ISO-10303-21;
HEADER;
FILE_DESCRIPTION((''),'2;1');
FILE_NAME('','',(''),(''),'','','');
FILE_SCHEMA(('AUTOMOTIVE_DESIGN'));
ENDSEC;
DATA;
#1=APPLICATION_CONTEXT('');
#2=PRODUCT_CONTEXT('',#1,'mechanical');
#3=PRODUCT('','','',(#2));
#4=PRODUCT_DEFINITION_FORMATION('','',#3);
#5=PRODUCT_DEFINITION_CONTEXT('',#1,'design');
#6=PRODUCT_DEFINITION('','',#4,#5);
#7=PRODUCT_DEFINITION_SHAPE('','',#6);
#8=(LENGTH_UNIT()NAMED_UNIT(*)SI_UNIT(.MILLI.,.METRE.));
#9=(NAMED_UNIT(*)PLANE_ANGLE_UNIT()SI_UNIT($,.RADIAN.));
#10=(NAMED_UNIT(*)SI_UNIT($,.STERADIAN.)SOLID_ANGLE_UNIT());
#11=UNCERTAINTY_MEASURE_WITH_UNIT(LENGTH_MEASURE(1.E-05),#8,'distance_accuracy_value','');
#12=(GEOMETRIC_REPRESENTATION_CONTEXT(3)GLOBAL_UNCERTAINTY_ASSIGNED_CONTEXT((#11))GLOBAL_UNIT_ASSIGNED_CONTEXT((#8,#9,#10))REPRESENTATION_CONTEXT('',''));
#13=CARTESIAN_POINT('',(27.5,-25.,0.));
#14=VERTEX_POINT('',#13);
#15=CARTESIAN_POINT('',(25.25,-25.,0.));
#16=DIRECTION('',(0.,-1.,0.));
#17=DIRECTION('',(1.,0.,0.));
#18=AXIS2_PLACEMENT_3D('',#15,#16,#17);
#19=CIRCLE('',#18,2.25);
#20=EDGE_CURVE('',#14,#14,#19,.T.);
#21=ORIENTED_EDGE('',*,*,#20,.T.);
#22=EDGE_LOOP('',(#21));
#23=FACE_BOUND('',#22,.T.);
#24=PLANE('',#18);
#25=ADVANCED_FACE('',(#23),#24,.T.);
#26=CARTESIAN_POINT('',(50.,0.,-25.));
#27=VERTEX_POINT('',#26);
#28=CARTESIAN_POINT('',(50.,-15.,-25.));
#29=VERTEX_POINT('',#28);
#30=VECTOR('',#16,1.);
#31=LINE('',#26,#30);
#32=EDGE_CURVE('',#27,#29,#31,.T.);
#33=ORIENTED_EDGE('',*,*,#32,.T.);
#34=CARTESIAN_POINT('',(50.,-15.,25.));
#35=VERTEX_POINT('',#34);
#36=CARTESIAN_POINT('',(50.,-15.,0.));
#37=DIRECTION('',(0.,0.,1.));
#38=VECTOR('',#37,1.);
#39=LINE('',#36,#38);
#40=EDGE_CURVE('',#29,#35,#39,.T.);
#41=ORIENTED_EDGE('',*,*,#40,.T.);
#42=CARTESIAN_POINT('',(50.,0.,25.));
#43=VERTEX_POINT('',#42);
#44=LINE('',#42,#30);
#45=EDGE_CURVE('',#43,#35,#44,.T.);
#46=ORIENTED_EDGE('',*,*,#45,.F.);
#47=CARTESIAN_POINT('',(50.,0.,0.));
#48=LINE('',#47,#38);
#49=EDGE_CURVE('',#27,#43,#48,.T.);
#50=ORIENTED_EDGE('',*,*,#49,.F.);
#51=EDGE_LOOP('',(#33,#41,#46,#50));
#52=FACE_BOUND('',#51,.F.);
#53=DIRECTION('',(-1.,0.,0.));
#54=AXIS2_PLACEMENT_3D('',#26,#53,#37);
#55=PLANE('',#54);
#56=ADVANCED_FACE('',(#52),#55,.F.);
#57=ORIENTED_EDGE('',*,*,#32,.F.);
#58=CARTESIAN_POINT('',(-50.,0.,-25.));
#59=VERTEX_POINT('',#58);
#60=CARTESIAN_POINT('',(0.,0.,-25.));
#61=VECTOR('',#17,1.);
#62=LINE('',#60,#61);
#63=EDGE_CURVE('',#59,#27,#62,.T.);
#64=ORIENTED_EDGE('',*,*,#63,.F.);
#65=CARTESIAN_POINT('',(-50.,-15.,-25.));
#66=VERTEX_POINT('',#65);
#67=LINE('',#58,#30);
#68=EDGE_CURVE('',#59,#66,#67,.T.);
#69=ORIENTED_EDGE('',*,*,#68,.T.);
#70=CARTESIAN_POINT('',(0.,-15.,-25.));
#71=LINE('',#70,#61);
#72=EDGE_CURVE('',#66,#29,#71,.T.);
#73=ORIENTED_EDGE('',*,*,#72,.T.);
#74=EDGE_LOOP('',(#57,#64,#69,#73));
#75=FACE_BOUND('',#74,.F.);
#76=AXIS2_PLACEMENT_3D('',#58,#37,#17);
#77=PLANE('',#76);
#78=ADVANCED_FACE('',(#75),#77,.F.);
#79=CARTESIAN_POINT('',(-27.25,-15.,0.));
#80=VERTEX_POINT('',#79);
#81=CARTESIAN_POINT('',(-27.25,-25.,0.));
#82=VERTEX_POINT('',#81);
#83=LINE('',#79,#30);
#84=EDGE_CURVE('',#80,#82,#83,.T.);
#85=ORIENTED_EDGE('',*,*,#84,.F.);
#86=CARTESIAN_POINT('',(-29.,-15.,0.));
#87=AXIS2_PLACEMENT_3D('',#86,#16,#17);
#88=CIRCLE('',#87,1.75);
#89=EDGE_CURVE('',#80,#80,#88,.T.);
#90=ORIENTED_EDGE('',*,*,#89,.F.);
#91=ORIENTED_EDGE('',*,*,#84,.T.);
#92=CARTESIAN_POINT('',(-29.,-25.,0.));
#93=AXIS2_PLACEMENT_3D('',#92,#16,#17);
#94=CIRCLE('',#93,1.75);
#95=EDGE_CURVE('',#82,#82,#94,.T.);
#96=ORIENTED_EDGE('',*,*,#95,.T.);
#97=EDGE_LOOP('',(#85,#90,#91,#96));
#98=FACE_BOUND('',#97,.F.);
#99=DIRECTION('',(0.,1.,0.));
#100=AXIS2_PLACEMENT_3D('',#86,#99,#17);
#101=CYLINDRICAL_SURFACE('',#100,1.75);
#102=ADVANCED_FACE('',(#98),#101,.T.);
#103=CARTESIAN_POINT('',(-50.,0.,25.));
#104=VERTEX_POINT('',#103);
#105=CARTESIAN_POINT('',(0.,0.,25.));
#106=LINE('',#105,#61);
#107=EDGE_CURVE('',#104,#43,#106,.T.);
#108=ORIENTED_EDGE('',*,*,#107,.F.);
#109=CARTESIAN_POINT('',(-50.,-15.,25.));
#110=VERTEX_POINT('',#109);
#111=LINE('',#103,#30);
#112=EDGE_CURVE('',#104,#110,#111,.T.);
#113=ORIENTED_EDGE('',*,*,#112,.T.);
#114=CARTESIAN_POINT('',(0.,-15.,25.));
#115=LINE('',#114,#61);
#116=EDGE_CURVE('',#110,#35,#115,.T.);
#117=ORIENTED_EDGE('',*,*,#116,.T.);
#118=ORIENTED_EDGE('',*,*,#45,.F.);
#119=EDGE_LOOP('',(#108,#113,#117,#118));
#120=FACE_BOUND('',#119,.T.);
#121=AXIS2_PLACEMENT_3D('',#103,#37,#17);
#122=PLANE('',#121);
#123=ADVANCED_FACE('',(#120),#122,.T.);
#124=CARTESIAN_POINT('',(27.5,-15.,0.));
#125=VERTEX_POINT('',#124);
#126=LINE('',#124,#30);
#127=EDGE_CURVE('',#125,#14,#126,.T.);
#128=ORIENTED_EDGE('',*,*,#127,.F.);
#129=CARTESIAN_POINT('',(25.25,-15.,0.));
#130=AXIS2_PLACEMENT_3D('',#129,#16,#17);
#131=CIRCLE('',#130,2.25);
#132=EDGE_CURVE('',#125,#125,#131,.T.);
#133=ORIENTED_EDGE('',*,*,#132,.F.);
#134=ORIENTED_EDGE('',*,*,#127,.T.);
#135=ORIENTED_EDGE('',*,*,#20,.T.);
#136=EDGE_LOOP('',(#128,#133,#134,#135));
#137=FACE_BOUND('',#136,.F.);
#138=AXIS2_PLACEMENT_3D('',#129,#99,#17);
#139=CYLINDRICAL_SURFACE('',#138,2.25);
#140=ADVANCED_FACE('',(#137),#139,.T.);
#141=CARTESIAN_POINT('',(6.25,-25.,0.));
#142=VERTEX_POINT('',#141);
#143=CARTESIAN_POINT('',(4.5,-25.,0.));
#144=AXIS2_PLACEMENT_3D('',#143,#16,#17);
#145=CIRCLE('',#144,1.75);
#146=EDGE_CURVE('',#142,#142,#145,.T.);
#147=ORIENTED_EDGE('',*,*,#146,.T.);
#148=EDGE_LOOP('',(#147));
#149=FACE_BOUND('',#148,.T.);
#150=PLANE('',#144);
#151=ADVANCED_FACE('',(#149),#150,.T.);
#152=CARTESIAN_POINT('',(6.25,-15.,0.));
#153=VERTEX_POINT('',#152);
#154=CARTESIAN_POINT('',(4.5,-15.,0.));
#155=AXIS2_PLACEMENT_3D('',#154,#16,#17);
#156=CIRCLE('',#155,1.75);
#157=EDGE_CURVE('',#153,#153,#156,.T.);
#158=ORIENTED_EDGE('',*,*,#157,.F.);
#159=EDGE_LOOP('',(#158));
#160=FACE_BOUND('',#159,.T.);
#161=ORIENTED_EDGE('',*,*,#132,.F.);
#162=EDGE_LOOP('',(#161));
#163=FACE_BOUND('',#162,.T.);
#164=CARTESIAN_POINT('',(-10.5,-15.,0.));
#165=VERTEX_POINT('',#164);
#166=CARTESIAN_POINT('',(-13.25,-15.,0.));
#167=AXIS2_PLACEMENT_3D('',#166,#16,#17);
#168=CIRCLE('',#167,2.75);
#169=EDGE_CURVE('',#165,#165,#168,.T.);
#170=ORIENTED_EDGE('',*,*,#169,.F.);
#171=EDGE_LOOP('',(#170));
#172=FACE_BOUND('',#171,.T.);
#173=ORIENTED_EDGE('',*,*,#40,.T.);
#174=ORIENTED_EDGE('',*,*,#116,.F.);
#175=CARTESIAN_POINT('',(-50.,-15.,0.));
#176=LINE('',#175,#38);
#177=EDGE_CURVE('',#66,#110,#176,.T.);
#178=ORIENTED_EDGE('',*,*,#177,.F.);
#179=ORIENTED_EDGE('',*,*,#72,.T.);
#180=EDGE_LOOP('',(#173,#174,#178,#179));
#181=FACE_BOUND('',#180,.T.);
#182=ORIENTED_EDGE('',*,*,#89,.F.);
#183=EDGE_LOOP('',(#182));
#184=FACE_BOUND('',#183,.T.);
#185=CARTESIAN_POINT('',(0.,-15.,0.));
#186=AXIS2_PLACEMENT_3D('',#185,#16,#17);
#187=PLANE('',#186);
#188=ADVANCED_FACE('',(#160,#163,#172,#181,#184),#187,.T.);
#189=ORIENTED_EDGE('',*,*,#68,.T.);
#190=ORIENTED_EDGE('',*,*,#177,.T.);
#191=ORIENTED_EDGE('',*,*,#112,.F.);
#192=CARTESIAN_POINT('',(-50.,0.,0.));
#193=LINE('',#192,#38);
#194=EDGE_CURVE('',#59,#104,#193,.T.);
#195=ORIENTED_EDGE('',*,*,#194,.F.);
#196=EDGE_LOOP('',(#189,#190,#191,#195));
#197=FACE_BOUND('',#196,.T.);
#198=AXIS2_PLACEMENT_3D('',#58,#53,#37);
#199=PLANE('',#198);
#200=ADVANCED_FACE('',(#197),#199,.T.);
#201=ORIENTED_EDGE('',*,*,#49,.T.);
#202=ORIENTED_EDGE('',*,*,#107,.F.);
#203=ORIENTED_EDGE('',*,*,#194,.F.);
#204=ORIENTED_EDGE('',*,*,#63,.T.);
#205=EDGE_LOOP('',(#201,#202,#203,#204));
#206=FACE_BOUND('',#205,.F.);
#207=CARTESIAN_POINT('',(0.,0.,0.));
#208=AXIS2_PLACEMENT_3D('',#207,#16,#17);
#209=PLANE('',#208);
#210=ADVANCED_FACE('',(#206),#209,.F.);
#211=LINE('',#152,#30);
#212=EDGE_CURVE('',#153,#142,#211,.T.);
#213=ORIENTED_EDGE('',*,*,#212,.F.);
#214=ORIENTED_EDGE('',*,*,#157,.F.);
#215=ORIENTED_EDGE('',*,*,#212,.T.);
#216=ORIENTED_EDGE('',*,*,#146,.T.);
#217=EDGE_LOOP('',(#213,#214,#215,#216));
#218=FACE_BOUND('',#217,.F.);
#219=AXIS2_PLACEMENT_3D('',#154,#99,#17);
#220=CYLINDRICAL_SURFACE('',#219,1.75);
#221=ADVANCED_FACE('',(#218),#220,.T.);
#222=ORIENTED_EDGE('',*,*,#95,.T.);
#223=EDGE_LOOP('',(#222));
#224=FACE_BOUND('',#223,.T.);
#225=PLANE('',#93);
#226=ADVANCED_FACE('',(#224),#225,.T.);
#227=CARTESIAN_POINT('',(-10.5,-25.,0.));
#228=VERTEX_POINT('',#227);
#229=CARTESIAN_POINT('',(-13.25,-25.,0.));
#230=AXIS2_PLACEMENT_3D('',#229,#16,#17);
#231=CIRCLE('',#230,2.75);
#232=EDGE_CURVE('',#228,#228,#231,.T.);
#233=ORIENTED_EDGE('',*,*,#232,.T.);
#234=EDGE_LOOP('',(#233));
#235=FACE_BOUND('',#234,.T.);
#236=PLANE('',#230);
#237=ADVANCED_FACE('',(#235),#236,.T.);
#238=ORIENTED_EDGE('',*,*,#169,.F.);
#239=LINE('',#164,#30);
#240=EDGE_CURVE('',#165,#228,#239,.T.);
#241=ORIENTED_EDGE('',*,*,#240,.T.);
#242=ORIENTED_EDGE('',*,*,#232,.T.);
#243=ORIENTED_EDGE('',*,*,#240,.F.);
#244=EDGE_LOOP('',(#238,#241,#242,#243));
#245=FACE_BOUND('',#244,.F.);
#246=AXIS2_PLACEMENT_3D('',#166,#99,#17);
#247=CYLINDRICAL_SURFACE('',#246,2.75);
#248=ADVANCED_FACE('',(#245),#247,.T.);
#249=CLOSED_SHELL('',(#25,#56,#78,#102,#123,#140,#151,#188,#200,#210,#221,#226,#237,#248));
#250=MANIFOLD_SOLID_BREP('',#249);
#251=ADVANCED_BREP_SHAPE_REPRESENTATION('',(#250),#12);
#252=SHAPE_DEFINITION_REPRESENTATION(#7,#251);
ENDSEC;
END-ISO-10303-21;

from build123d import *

# Parameters (mm, degrees)
F0_W     = 100
F0_H     = 50
F1_DEPTH = 15
F2_R     = 1.75
F3_DEPTH = 10
F4_R     = 2.75
F5_DEPTH = 10
F6_R     = 1.75
F7_DEPTH = 10
F8_R     = 2.25
F9_DEPTH = 10


with BuildPart() as f1:
    # F0 (on Front) → F1 (new body)
    with BuildSketch(Plane.XZ):
        Rectangle(F0_W, F0_H)
    extrude(amount=F1_DEPTH)

    # F2 (on face) → F3 (join)
    with BuildSketch(Plane.XZ.offset(15)):
        with Locations((-29, 0)):
            Circle(F2_R)
    extrude(amount=F3_DEPTH)

    # F4 (on face) → F5 (join)
    with BuildSketch(Plane.XZ.offset(15)):
        with Locations((-13.25, 0)):
            Circle(F4_R)
    extrude(amount=F5_DEPTH)

    # F6 (on face) → F7 (join)
    with BuildSketch(Plane.XZ.offset(15)):
        with Locations((4.5, 0)):
            Circle(F6_R)
    extrude(amount=F7_DEPTH)

    # F8 (on face) → F9 (join)
    with BuildSketch(Plane.XZ.offset(15)):
        with Locations((25.25, 0)):
            Circle(F8_R)
    extrude(amount=F9_DEPTH)


solid = f1.part
